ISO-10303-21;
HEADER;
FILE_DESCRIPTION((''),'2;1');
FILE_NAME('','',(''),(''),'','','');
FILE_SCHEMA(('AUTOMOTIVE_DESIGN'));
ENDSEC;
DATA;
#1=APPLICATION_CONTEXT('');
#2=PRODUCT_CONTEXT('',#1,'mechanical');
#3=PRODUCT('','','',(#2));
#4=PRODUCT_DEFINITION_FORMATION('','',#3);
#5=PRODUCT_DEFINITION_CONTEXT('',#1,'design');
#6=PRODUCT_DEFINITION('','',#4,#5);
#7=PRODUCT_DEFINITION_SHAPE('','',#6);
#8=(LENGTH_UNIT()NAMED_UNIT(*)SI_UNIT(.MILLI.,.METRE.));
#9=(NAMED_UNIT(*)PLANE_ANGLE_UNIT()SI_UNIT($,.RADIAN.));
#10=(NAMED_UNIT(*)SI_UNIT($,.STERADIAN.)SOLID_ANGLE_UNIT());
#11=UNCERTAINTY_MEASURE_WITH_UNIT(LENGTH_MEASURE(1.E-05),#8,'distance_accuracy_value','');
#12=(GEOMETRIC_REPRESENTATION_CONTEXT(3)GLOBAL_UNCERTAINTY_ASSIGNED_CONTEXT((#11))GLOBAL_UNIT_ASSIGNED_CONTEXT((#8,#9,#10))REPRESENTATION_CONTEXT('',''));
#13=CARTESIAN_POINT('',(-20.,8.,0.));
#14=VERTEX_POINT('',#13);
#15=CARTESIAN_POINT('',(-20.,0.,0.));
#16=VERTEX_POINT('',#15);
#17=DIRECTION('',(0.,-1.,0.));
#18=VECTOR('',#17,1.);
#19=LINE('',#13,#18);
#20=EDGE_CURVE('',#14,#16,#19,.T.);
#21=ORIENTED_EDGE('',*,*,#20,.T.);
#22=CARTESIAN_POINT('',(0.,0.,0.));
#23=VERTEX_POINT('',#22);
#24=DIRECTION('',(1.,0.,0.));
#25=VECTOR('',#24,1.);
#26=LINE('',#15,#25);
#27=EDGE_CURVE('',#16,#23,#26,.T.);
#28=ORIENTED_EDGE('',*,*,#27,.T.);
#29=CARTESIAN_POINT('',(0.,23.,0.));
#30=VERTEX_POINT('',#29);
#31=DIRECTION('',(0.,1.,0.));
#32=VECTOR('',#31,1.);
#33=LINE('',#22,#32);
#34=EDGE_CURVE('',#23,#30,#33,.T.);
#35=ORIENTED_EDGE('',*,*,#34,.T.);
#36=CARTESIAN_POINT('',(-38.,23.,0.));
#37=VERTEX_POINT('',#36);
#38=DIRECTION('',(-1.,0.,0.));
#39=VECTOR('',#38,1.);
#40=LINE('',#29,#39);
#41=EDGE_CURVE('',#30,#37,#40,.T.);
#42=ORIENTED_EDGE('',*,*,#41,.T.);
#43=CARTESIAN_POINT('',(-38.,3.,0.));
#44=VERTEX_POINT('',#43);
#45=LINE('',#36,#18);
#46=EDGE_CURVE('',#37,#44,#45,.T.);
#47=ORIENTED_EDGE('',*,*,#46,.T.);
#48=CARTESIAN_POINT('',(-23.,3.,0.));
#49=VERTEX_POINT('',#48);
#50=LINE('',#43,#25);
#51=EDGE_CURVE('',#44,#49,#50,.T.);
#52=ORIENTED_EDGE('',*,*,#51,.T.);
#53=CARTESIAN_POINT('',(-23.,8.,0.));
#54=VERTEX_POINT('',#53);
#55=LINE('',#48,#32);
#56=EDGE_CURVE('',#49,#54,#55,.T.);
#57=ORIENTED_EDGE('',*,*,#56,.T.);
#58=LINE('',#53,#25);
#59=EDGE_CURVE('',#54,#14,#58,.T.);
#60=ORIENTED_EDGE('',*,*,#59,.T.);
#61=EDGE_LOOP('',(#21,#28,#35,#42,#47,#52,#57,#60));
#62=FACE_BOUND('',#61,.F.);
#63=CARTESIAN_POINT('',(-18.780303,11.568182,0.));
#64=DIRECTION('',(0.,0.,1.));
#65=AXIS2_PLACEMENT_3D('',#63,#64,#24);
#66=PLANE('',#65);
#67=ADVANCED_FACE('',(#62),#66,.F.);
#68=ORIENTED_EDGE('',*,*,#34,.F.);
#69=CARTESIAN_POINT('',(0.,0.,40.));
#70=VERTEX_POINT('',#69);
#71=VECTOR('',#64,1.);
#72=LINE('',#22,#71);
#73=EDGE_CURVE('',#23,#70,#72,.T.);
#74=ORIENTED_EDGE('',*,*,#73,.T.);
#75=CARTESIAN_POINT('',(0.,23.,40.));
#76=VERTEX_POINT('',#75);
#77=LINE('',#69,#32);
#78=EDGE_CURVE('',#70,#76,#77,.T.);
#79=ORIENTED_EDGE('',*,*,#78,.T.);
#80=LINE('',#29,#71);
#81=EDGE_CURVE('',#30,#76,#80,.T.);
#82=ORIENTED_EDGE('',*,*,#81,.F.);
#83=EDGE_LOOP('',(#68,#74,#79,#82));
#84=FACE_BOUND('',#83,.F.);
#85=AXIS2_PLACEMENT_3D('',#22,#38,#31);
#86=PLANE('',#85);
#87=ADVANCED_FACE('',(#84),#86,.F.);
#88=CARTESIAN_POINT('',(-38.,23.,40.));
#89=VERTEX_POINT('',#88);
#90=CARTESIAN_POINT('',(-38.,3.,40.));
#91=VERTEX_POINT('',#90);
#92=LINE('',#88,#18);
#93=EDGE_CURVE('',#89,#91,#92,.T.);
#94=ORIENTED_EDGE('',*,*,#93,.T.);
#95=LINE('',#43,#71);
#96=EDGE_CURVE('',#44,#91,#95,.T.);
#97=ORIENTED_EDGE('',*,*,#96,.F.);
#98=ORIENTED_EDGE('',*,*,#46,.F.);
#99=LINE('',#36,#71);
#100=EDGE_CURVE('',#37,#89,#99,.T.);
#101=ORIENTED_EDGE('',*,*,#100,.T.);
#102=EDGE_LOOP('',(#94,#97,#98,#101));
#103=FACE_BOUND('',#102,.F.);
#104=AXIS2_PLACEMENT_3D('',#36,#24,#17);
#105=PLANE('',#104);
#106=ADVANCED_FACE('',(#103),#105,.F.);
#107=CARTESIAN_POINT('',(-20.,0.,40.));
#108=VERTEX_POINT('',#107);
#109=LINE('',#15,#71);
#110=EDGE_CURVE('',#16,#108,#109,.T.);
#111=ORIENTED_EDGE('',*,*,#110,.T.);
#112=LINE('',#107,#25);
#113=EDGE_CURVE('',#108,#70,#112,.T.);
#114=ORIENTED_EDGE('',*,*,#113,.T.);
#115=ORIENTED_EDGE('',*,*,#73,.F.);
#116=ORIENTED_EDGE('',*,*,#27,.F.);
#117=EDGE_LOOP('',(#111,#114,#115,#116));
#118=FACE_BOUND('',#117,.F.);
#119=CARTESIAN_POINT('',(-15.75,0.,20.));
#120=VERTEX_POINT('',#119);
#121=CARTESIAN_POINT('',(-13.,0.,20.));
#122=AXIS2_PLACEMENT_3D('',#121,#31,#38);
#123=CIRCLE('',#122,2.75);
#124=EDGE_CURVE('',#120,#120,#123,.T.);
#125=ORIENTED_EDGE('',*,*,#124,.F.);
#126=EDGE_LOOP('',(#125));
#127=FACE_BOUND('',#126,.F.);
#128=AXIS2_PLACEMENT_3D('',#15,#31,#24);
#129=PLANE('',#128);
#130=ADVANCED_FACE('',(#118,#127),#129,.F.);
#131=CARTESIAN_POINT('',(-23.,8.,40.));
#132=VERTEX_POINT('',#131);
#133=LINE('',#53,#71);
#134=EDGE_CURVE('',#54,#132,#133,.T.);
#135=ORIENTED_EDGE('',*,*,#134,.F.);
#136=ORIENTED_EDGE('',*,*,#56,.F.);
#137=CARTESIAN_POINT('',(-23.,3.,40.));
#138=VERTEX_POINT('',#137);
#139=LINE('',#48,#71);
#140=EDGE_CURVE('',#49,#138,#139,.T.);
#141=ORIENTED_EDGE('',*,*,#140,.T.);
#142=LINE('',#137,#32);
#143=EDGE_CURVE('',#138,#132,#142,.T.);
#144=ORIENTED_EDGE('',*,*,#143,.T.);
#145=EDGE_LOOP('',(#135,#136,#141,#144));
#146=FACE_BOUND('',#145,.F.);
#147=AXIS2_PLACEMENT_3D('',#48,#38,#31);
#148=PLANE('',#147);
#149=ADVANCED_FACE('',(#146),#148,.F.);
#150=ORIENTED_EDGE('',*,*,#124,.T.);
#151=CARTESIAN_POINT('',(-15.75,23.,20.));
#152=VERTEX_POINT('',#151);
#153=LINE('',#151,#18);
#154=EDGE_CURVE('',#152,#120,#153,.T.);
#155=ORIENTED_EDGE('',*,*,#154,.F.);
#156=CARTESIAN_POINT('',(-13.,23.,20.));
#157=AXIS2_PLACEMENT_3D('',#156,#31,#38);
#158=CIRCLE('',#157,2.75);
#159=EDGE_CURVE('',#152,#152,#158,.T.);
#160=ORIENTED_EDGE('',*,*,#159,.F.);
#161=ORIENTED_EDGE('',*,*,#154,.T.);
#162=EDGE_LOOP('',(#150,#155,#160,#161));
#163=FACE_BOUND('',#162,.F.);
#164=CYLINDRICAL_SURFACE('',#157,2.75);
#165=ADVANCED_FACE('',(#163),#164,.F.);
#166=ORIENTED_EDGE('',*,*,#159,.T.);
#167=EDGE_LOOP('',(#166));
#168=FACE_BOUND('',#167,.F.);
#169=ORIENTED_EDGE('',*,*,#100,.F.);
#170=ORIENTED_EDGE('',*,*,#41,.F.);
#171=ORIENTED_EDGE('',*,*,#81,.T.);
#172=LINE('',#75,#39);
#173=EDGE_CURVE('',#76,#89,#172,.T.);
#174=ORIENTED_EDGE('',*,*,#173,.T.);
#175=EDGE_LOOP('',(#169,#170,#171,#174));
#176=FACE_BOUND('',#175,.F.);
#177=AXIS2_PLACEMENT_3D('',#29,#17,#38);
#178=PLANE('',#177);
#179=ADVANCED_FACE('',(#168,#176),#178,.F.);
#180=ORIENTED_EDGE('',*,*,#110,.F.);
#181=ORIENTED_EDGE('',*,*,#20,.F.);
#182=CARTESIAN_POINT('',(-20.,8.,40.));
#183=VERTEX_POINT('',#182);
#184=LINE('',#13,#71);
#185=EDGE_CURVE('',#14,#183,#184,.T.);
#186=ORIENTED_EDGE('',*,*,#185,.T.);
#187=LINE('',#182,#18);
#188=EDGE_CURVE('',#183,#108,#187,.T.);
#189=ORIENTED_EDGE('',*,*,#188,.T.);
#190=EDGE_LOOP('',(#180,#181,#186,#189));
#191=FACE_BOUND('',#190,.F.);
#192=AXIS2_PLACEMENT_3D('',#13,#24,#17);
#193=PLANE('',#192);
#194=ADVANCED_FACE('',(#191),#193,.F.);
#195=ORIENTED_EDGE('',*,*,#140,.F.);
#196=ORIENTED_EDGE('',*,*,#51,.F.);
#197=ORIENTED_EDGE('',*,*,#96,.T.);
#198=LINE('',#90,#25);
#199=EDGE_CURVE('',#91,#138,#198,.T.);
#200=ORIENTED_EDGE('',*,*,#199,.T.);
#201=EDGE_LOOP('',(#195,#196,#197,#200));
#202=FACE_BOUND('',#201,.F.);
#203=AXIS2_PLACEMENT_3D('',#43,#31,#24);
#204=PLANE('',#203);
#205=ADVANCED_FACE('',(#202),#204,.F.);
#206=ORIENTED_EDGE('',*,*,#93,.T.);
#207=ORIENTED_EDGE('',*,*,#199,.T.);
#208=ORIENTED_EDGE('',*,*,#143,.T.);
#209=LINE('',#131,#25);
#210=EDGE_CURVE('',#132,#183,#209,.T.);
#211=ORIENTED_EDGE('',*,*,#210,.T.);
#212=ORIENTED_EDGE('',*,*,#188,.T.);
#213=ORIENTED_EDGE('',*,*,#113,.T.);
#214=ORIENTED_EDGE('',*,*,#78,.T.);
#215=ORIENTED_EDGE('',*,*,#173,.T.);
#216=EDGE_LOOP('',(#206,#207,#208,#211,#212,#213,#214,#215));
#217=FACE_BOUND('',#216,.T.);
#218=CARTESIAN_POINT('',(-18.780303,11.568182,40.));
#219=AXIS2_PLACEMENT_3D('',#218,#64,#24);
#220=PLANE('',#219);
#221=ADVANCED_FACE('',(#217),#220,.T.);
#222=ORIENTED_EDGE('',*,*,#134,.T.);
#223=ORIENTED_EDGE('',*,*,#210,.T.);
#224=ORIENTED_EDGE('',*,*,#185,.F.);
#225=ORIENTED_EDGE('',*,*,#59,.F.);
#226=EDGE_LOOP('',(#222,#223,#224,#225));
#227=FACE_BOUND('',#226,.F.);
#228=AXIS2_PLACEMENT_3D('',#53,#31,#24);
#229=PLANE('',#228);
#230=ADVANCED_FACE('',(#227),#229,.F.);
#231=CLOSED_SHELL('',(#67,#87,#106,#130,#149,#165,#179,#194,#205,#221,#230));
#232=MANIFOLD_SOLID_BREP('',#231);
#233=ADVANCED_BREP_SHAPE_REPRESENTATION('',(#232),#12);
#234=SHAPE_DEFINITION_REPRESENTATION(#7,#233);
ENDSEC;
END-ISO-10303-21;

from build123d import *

# Parameters (mm, degrees)
PAD_DEPTH    = 40
SKETCH001_R  = 2.75
POCKET_DEPTH = 23.001


with BuildPart() as part:
    # Sketch → Pad (new body)
    with BuildSketch(Plane.XY):
        Polygon((-38, 23), (-38, 3), (-23, 3), (-23, 8), (-20, 8), (-20, 0), (0, 0), (0, 23), align=None)
    extrude(amount=PAD_DEPTH)

    # Sketch001 → Pocket (cut, through all)
    with BuildSketch(Plane(origin=(0, 23, 0), x_dir=(-1, 0, 0), z_dir=(0, 1, 0))):
        with Locations((13, 20)):
            Circle(SKETCH001_R)
    extrude(amount=-POCKET_DEPTH, mode=Mode.SUBTRACT)


solid = part.part
